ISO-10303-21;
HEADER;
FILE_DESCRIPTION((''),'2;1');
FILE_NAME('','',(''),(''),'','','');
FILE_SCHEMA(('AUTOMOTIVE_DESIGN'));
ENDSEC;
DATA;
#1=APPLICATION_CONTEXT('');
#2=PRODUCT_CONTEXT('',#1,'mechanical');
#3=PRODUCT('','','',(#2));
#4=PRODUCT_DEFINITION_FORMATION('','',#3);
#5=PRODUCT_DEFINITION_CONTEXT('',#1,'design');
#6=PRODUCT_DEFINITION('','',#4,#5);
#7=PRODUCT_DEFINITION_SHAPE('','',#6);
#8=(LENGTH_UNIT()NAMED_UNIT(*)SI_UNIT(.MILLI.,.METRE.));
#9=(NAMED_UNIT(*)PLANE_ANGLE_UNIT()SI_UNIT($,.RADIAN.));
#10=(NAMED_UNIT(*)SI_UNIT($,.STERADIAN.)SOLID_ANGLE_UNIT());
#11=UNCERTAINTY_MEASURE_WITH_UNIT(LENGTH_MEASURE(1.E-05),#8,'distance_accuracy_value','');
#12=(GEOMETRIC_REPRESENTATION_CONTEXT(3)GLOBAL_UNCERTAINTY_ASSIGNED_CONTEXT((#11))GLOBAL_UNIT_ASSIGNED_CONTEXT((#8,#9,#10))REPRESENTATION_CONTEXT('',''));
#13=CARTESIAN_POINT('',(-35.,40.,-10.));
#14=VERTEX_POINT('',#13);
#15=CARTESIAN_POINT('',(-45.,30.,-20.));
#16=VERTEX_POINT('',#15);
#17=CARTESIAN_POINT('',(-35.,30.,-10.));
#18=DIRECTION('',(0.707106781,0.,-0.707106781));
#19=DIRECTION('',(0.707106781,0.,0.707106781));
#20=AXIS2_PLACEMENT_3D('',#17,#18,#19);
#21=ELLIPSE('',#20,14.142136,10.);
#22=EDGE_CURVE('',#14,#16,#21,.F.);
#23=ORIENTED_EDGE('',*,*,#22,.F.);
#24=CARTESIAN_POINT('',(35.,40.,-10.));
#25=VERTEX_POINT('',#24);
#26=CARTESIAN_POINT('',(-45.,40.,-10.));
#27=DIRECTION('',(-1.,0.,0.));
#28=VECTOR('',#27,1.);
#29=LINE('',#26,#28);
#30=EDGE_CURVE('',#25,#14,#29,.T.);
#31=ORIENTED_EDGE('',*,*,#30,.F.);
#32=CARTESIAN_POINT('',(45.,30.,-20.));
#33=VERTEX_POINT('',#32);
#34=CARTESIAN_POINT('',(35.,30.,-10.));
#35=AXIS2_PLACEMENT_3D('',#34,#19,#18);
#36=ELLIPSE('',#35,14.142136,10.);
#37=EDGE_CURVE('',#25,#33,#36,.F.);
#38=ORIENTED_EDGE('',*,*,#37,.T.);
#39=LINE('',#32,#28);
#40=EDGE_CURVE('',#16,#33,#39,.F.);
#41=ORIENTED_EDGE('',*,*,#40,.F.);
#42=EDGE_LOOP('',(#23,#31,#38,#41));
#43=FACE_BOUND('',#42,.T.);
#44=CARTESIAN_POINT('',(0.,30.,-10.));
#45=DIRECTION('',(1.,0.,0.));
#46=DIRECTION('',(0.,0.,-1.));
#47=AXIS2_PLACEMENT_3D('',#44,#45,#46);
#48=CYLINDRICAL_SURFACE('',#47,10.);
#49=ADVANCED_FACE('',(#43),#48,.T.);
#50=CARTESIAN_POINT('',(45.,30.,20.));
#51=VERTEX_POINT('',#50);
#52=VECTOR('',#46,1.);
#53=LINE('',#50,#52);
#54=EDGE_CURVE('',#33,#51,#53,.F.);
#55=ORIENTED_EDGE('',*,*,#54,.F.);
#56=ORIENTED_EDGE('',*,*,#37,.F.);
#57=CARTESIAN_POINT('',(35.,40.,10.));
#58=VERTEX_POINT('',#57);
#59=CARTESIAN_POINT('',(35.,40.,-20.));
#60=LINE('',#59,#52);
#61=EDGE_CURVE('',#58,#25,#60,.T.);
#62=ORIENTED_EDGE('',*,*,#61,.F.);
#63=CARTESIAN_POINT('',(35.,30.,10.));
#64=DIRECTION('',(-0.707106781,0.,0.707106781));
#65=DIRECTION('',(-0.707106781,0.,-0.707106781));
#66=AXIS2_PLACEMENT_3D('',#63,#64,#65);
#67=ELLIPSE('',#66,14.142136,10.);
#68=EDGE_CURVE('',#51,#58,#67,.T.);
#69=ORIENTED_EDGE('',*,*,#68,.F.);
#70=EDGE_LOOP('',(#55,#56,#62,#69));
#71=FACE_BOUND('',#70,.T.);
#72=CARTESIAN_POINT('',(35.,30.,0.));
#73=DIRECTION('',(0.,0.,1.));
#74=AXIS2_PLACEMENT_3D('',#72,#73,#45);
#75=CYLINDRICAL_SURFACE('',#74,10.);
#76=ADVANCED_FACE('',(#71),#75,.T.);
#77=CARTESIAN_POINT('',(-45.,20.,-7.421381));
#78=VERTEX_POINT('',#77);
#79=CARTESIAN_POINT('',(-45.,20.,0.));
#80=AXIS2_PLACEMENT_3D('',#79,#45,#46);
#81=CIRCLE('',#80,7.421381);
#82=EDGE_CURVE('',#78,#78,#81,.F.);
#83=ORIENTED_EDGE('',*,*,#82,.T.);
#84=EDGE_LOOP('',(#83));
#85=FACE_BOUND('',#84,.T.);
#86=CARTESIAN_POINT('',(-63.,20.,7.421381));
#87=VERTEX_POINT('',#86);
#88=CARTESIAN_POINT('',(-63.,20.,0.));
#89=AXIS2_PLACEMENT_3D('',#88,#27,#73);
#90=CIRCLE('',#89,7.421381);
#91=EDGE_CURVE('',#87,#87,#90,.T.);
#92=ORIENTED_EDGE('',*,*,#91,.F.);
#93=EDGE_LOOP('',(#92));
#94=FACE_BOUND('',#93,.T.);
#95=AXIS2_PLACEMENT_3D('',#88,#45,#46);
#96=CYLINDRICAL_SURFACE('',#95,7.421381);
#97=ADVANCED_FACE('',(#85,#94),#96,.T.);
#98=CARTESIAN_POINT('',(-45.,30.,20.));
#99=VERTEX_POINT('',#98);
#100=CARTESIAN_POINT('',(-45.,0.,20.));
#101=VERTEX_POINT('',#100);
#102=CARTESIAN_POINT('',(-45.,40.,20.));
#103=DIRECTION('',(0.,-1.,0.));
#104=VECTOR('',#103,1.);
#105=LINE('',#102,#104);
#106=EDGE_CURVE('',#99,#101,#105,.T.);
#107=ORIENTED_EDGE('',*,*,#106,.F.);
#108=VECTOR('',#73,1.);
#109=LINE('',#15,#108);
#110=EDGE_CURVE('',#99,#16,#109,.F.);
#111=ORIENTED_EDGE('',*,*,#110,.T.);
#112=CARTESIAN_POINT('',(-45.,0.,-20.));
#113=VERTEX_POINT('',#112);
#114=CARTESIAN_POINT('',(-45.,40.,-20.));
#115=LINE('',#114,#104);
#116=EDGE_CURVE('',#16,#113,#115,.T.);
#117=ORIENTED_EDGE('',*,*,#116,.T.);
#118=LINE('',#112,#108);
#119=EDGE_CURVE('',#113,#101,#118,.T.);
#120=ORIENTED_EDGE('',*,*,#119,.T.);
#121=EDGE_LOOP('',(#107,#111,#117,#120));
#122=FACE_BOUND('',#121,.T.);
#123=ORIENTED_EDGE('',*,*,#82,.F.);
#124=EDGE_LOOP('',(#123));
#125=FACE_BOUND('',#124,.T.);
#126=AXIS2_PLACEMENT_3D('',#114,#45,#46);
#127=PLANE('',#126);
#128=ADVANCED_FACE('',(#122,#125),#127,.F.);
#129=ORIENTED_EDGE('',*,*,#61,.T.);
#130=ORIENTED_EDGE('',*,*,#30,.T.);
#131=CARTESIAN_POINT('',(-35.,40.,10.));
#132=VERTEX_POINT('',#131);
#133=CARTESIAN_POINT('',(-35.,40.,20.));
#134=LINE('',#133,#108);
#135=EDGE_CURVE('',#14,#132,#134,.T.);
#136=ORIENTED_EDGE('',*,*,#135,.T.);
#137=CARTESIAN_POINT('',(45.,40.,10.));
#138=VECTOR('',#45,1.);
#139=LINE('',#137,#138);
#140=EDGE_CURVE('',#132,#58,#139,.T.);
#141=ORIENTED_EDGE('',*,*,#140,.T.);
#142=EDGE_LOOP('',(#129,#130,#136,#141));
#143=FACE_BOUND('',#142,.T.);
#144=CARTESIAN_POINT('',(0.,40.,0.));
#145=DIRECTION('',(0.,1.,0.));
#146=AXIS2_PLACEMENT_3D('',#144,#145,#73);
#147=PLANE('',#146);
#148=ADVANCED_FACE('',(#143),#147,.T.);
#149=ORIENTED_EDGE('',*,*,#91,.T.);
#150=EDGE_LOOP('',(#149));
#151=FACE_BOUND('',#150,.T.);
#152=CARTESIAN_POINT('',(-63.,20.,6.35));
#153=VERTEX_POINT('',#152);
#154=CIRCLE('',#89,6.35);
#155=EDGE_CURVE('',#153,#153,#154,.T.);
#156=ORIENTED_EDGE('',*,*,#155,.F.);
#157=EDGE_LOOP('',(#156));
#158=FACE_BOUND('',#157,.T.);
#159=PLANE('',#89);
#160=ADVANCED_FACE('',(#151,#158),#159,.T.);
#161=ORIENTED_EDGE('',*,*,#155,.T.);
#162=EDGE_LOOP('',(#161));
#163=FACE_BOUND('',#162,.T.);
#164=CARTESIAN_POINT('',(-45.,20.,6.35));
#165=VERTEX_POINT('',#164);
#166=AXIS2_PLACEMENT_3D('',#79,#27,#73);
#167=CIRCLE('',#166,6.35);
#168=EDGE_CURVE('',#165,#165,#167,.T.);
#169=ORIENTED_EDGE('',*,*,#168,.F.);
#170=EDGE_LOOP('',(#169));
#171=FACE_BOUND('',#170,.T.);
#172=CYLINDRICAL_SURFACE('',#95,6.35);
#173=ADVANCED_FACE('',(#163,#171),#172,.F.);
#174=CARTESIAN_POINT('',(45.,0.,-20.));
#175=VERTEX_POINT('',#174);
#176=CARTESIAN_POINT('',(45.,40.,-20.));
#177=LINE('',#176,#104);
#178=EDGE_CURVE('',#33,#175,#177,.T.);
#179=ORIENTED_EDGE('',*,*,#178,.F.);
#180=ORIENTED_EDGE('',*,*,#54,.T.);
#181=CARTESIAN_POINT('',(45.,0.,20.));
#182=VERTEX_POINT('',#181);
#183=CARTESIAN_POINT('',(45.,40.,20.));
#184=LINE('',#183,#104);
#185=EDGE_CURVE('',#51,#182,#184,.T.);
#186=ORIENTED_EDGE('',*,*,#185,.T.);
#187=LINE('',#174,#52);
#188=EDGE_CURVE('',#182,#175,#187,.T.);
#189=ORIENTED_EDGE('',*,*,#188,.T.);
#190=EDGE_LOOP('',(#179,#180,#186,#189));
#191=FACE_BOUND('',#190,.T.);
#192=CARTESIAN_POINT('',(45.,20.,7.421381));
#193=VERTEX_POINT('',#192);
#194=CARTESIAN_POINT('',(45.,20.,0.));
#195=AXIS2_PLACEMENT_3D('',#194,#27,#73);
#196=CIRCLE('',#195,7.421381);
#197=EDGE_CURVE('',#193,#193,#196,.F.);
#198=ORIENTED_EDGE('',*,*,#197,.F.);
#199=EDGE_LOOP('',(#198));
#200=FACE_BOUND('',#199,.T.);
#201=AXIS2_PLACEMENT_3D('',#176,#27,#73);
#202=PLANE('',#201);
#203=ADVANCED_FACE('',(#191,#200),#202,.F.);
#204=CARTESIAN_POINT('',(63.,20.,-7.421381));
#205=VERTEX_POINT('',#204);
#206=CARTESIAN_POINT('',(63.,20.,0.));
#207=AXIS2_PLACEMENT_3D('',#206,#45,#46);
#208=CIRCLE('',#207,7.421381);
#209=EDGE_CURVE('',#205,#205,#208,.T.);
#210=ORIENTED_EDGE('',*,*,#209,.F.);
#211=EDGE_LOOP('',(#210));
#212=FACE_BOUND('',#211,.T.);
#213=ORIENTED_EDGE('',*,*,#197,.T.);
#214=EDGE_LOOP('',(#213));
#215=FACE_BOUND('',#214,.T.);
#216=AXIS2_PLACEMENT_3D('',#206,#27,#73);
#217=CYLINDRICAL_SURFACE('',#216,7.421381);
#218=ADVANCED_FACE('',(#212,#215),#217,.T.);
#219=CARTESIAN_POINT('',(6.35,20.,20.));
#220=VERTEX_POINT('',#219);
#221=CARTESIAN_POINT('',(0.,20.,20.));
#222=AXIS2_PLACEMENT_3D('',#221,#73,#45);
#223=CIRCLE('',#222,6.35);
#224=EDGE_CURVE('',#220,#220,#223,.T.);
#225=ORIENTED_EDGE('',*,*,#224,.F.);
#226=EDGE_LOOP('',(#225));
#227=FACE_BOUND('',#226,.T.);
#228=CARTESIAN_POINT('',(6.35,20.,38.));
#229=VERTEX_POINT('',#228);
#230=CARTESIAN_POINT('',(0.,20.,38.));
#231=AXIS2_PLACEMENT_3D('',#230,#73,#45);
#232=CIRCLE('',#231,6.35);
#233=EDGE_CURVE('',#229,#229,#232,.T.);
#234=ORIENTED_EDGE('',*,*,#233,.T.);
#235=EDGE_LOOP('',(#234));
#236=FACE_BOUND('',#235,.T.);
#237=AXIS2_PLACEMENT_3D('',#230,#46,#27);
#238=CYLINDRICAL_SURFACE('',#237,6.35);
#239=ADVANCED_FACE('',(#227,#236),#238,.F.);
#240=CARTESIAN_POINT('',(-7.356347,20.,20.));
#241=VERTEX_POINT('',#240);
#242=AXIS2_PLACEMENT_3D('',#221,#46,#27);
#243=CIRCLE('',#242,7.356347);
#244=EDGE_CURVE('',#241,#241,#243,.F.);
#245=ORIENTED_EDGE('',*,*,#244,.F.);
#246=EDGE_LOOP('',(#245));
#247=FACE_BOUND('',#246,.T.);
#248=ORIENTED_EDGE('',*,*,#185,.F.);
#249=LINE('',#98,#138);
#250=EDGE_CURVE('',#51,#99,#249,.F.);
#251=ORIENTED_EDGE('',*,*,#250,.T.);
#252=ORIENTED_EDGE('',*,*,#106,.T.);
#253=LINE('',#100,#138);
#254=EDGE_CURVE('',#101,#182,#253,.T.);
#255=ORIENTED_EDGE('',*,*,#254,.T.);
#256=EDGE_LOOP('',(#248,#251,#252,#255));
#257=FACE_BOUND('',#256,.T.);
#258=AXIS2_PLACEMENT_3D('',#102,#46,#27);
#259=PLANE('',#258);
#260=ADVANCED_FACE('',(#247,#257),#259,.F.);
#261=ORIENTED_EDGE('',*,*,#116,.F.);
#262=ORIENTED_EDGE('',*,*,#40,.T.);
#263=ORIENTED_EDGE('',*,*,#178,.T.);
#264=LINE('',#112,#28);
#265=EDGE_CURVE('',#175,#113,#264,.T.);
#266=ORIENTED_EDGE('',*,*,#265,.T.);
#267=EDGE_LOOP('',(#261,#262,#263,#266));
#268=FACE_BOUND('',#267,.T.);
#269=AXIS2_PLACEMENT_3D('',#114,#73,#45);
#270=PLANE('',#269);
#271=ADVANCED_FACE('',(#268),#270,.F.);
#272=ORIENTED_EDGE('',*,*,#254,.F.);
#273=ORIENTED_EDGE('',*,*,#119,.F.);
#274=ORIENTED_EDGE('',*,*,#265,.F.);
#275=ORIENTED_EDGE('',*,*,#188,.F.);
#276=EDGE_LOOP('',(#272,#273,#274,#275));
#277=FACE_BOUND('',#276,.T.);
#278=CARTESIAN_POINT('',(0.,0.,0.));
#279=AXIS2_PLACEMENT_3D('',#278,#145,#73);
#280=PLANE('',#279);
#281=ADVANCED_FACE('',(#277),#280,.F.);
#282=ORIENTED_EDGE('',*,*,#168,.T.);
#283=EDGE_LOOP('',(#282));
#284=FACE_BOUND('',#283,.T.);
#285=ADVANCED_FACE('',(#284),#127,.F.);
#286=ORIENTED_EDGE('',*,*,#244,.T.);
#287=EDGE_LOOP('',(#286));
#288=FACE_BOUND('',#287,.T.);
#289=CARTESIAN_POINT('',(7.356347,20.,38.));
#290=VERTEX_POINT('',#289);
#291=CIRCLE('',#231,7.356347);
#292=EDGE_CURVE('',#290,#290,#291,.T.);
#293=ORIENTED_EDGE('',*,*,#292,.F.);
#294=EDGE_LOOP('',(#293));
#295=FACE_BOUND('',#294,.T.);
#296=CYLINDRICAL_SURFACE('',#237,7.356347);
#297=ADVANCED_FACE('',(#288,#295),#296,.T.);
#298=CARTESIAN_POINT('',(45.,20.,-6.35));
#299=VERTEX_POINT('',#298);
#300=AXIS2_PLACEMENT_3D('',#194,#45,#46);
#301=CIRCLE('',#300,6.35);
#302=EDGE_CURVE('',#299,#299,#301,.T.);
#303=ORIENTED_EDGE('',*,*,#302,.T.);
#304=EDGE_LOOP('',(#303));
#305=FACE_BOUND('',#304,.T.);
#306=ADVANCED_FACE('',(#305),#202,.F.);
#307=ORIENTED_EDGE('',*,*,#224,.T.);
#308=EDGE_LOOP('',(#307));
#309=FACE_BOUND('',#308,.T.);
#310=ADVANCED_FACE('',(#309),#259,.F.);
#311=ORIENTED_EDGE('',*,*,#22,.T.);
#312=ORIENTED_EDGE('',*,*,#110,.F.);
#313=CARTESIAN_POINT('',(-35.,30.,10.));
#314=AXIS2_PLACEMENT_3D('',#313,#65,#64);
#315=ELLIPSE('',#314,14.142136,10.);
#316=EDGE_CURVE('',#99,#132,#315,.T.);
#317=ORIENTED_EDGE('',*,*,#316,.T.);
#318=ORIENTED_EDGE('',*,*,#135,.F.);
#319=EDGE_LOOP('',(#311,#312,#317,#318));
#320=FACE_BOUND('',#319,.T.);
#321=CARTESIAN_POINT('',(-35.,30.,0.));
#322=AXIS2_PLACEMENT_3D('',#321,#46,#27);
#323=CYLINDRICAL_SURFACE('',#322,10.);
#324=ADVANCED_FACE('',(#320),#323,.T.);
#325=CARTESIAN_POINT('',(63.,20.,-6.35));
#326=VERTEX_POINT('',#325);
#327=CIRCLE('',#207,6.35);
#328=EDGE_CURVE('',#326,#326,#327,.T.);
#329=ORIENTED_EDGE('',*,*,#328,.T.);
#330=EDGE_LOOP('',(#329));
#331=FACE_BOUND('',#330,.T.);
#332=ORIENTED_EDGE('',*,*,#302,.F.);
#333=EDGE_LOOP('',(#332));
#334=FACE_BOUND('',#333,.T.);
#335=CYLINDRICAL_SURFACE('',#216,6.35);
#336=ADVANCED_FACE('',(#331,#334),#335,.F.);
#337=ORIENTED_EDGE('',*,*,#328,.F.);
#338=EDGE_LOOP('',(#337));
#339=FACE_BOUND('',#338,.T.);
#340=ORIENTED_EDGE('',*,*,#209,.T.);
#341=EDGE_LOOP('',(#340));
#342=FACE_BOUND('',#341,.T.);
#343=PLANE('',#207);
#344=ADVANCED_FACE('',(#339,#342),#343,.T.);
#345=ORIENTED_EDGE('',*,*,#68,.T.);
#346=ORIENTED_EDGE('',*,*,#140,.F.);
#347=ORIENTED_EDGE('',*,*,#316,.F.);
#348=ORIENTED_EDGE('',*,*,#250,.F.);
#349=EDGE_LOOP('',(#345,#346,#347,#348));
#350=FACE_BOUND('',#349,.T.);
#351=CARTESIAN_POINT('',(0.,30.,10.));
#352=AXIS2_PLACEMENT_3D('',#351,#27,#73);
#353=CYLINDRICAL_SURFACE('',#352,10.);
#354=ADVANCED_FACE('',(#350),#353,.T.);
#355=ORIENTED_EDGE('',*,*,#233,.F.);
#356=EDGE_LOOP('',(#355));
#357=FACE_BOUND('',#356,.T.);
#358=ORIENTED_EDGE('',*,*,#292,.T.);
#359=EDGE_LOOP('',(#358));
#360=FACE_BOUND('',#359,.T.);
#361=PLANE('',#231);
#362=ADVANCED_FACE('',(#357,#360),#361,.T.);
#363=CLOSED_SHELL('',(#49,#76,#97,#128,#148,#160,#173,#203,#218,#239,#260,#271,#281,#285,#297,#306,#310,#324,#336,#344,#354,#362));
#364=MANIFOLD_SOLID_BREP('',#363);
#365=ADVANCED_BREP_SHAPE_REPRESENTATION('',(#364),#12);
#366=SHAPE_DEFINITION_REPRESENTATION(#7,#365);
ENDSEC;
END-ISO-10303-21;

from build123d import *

# Parameters (mm, degrees)
CROQUIS1_W              = 90
CROQUIS1_H              = 40
SALIENTE_EXTRUIR1_DEPTH = 40
CROQUIS2_R              = 7.421380831
CROQUIS2_R_2            = 6.35
SALIENTE_EXTRUIR2_DEPTH = 18
SALIENTE_EXTRUIR3_START = 18
CROQUIS3_R              = 7.421380831
CROQUIS3_R_2            = 6.35
SALIENTE_EXTRUIR3_DEPTH = 18
CROQUIS4_R              = 7.356347307
CROQUIS4_R_2            = 6.35
SALIENTE_EXTRUIR4_DEPTH = 18
REDONDEO1_R             = 10


with BuildPart() as part:
    # Croquis1 → Saliente-Extruir1 (new body)
    with BuildSketch(Plane(origin=(0, 0, 0), x_dir=(1, 0, 0), z_dir=(0, 1, 0))):
        Rectangle(CROQUIS1_W, CROQUIS1_H)
    extrude(amount=SALIENTE_EXTRUIR1_DEPTH)

    # Croquis2 → Saliente-Extruir2 (add)
    with BuildSketch(Plane(origin=(45, 0, 0), x_dir=(0, 0, -1), z_dir=(1, 0, 0))):
        with Locations(Location((0, 20, 0), (0, 0, 180))):
            Circle(CROQUIS2_R)
        with Locations((0, 20)):
            Circle(CROQUIS2_R_2, mode=Mode.SUBTRACT)
    extrude(amount=SALIENTE_EXTRUIR2_DEPTH)

    # Croquis3 → Saliente-Extruir3 (add)
    with BuildSketch(Plane.ZY.offset(45).offset(SALIENTE_EXTRUIR3_START)):
        with Locations((0, 20)):
            Circle(CROQUIS3_R)
        with Locations(Location((0, 20, 0), (0, 0, 180))):
            Circle(CROQUIS3_R_2, mode=Mode.SUBTRACT)
    extrude(amount=-SALIENTE_EXTRUIR3_DEPTH)

    # Croquis4 → Saliente-Extruir4 (add)
    with BuildSketch(Plane.XY.offset(20)):
        with Locations(Location((0, 20, 0), (0, 0, 180))):
            Circle(CROQUIS4_R)
        with Locations((0, 20)):
            Circle(CROQUIS4_R_2, mode=Mode.SUBTRACT)
    extrude(amount=SALIENTE_EXTRUIR4_DEPTH)

    # Redondeo1
    redondeo1_edges = [part.edges().sort_by_distance(p)[0] for p in [
        (-45, 40, 0),
        (0, 40, 20),
        (45, 40, 0),
        (0, 40, -20),
    ]]
    fillet(redondeo1_edges, radius=REDONDEO1_R)


solid = part.part
